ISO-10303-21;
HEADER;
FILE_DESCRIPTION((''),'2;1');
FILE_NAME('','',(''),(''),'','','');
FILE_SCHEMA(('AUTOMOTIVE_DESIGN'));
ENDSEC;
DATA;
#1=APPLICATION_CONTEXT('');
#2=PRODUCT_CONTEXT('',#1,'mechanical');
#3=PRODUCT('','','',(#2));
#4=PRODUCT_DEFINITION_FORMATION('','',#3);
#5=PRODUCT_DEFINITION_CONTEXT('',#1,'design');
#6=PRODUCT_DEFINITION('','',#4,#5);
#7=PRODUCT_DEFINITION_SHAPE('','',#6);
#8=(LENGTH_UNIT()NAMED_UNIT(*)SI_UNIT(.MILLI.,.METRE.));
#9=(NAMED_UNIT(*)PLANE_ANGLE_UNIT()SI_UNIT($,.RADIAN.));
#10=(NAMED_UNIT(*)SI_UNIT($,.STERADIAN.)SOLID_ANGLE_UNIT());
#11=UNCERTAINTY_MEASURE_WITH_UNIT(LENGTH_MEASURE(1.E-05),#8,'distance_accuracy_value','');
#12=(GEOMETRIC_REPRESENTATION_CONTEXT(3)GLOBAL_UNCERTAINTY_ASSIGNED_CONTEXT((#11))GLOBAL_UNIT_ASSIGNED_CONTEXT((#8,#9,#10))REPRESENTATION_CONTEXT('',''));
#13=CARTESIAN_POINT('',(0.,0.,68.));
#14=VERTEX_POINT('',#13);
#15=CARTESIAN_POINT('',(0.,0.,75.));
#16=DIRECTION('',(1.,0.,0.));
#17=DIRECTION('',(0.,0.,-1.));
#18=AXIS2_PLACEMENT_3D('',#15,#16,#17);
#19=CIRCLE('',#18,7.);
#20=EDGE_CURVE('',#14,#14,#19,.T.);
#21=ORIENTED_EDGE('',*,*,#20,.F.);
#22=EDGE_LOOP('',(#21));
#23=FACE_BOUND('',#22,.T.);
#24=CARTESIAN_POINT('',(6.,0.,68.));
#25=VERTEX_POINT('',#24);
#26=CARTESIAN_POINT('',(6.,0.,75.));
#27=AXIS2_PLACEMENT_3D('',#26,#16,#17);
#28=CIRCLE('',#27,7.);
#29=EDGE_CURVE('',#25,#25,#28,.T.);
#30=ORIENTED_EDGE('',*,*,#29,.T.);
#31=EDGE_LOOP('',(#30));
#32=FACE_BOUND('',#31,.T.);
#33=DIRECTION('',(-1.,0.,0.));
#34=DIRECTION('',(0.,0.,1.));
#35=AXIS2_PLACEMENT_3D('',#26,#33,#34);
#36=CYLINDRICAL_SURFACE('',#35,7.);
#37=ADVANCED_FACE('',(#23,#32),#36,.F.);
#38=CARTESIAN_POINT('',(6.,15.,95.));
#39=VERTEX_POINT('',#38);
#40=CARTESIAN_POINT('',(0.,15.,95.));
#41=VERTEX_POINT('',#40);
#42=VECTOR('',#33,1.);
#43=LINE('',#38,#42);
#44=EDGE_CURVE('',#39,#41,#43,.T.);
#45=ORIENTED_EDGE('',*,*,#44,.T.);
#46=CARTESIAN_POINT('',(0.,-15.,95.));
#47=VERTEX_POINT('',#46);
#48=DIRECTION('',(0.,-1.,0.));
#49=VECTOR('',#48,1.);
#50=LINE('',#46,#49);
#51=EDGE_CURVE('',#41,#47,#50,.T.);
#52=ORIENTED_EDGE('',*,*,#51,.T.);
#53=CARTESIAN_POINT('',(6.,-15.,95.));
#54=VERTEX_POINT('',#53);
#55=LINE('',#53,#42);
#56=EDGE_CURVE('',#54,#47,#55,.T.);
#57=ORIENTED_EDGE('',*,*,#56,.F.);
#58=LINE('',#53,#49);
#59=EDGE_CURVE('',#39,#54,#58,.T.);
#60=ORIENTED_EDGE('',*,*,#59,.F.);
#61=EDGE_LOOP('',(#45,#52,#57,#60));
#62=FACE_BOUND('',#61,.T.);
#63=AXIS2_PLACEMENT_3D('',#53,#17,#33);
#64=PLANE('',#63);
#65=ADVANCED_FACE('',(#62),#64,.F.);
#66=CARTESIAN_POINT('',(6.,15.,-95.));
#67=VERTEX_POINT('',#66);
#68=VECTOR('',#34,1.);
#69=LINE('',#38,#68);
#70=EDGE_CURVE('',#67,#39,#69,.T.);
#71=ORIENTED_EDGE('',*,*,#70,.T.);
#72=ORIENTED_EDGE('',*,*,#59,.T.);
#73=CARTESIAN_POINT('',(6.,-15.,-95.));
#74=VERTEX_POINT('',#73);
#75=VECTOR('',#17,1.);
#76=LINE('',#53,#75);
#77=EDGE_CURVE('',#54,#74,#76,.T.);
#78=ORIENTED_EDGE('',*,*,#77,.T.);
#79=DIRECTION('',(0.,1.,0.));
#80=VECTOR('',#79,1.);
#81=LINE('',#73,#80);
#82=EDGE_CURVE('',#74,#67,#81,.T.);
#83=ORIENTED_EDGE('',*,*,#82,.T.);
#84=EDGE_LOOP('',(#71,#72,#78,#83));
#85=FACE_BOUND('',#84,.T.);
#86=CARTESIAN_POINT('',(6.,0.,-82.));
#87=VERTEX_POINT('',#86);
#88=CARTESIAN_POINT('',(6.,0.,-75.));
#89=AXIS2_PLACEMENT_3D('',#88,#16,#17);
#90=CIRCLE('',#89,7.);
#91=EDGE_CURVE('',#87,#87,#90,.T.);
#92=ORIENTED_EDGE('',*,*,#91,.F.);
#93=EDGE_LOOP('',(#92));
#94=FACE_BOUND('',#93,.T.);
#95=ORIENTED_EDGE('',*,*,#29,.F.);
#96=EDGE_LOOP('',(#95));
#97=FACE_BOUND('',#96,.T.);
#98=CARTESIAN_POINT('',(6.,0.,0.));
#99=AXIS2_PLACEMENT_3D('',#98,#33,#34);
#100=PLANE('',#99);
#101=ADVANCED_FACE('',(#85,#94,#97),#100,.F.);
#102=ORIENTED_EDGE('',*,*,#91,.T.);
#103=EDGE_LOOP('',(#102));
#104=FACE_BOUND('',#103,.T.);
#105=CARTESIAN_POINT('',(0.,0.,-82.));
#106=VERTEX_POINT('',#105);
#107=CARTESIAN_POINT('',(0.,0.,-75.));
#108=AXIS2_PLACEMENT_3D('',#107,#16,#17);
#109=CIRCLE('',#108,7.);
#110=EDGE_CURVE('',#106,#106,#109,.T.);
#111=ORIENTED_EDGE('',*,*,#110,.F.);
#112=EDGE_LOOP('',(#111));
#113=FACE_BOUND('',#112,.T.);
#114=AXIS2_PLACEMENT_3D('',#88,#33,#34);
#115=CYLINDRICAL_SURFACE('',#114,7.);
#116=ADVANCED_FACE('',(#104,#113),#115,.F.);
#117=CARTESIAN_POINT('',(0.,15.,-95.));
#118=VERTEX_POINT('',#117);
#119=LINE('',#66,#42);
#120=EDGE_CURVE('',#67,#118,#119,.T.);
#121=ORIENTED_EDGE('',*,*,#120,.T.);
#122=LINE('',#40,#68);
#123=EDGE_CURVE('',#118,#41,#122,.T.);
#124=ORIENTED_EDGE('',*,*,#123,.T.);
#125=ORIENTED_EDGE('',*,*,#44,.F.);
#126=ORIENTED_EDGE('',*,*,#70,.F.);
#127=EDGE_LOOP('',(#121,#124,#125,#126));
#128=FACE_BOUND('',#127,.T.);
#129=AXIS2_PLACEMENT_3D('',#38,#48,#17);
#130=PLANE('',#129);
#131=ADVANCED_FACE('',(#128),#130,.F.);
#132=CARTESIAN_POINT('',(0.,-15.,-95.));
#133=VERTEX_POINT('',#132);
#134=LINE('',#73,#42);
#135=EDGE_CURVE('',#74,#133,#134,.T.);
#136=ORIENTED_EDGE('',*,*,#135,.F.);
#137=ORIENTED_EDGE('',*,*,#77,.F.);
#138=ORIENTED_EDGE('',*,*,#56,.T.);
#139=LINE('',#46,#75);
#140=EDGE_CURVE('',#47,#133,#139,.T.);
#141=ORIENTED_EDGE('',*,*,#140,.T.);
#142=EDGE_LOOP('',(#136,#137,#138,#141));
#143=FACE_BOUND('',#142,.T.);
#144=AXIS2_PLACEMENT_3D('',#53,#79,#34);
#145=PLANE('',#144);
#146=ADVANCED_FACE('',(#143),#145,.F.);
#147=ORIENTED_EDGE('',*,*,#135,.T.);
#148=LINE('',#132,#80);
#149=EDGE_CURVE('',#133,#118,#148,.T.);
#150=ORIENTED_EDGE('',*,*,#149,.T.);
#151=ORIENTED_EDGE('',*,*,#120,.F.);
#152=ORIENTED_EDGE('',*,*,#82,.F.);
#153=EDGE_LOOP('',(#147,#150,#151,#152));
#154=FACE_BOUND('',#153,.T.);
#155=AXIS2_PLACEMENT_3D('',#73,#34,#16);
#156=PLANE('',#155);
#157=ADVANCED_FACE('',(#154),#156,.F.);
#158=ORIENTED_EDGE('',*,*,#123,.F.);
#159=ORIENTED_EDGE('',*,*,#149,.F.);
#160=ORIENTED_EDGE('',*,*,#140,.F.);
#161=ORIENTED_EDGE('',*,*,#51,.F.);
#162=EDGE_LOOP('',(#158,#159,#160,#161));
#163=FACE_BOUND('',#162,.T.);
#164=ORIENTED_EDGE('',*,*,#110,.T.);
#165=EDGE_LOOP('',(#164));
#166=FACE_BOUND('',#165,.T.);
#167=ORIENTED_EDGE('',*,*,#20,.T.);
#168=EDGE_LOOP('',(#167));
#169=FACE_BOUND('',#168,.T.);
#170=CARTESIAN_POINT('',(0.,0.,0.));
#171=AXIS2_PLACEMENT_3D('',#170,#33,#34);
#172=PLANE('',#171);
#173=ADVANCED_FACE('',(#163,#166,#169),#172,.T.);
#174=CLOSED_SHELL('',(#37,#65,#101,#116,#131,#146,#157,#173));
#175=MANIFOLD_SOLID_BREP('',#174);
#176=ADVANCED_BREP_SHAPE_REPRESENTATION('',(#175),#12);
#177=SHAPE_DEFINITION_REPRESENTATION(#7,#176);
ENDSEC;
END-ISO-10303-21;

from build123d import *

# Parameters (mm, degrees)
SKETCH1_W           = 190
SKETCH1_H           = 30
SKETCH1_R           = 7
BOSS_EXTRUDE1_DEPTH = 6


with BuildPart() as part:
    # Sketch1 → Boss-Extrude1 (new body)
    with BuildSketch(Plane(origin=(0, 0, 0), x_dir=(0, 0, -1), z_dir=(1, 0, 0))):
        Rectangle(SKETCH1_W, SKETCH1_H)
        with Locations((-75, 0)):
            Circle(SKETCH1_R, mode=Mode.SUBTRACT)
        with Locations((75, 0)):
            Circle(SKETCH1_R, mode=Mode.SUBTRACT)
    extrude(amount=BOSS_EXTRUDE1_DEPTH)


solid = part.part
